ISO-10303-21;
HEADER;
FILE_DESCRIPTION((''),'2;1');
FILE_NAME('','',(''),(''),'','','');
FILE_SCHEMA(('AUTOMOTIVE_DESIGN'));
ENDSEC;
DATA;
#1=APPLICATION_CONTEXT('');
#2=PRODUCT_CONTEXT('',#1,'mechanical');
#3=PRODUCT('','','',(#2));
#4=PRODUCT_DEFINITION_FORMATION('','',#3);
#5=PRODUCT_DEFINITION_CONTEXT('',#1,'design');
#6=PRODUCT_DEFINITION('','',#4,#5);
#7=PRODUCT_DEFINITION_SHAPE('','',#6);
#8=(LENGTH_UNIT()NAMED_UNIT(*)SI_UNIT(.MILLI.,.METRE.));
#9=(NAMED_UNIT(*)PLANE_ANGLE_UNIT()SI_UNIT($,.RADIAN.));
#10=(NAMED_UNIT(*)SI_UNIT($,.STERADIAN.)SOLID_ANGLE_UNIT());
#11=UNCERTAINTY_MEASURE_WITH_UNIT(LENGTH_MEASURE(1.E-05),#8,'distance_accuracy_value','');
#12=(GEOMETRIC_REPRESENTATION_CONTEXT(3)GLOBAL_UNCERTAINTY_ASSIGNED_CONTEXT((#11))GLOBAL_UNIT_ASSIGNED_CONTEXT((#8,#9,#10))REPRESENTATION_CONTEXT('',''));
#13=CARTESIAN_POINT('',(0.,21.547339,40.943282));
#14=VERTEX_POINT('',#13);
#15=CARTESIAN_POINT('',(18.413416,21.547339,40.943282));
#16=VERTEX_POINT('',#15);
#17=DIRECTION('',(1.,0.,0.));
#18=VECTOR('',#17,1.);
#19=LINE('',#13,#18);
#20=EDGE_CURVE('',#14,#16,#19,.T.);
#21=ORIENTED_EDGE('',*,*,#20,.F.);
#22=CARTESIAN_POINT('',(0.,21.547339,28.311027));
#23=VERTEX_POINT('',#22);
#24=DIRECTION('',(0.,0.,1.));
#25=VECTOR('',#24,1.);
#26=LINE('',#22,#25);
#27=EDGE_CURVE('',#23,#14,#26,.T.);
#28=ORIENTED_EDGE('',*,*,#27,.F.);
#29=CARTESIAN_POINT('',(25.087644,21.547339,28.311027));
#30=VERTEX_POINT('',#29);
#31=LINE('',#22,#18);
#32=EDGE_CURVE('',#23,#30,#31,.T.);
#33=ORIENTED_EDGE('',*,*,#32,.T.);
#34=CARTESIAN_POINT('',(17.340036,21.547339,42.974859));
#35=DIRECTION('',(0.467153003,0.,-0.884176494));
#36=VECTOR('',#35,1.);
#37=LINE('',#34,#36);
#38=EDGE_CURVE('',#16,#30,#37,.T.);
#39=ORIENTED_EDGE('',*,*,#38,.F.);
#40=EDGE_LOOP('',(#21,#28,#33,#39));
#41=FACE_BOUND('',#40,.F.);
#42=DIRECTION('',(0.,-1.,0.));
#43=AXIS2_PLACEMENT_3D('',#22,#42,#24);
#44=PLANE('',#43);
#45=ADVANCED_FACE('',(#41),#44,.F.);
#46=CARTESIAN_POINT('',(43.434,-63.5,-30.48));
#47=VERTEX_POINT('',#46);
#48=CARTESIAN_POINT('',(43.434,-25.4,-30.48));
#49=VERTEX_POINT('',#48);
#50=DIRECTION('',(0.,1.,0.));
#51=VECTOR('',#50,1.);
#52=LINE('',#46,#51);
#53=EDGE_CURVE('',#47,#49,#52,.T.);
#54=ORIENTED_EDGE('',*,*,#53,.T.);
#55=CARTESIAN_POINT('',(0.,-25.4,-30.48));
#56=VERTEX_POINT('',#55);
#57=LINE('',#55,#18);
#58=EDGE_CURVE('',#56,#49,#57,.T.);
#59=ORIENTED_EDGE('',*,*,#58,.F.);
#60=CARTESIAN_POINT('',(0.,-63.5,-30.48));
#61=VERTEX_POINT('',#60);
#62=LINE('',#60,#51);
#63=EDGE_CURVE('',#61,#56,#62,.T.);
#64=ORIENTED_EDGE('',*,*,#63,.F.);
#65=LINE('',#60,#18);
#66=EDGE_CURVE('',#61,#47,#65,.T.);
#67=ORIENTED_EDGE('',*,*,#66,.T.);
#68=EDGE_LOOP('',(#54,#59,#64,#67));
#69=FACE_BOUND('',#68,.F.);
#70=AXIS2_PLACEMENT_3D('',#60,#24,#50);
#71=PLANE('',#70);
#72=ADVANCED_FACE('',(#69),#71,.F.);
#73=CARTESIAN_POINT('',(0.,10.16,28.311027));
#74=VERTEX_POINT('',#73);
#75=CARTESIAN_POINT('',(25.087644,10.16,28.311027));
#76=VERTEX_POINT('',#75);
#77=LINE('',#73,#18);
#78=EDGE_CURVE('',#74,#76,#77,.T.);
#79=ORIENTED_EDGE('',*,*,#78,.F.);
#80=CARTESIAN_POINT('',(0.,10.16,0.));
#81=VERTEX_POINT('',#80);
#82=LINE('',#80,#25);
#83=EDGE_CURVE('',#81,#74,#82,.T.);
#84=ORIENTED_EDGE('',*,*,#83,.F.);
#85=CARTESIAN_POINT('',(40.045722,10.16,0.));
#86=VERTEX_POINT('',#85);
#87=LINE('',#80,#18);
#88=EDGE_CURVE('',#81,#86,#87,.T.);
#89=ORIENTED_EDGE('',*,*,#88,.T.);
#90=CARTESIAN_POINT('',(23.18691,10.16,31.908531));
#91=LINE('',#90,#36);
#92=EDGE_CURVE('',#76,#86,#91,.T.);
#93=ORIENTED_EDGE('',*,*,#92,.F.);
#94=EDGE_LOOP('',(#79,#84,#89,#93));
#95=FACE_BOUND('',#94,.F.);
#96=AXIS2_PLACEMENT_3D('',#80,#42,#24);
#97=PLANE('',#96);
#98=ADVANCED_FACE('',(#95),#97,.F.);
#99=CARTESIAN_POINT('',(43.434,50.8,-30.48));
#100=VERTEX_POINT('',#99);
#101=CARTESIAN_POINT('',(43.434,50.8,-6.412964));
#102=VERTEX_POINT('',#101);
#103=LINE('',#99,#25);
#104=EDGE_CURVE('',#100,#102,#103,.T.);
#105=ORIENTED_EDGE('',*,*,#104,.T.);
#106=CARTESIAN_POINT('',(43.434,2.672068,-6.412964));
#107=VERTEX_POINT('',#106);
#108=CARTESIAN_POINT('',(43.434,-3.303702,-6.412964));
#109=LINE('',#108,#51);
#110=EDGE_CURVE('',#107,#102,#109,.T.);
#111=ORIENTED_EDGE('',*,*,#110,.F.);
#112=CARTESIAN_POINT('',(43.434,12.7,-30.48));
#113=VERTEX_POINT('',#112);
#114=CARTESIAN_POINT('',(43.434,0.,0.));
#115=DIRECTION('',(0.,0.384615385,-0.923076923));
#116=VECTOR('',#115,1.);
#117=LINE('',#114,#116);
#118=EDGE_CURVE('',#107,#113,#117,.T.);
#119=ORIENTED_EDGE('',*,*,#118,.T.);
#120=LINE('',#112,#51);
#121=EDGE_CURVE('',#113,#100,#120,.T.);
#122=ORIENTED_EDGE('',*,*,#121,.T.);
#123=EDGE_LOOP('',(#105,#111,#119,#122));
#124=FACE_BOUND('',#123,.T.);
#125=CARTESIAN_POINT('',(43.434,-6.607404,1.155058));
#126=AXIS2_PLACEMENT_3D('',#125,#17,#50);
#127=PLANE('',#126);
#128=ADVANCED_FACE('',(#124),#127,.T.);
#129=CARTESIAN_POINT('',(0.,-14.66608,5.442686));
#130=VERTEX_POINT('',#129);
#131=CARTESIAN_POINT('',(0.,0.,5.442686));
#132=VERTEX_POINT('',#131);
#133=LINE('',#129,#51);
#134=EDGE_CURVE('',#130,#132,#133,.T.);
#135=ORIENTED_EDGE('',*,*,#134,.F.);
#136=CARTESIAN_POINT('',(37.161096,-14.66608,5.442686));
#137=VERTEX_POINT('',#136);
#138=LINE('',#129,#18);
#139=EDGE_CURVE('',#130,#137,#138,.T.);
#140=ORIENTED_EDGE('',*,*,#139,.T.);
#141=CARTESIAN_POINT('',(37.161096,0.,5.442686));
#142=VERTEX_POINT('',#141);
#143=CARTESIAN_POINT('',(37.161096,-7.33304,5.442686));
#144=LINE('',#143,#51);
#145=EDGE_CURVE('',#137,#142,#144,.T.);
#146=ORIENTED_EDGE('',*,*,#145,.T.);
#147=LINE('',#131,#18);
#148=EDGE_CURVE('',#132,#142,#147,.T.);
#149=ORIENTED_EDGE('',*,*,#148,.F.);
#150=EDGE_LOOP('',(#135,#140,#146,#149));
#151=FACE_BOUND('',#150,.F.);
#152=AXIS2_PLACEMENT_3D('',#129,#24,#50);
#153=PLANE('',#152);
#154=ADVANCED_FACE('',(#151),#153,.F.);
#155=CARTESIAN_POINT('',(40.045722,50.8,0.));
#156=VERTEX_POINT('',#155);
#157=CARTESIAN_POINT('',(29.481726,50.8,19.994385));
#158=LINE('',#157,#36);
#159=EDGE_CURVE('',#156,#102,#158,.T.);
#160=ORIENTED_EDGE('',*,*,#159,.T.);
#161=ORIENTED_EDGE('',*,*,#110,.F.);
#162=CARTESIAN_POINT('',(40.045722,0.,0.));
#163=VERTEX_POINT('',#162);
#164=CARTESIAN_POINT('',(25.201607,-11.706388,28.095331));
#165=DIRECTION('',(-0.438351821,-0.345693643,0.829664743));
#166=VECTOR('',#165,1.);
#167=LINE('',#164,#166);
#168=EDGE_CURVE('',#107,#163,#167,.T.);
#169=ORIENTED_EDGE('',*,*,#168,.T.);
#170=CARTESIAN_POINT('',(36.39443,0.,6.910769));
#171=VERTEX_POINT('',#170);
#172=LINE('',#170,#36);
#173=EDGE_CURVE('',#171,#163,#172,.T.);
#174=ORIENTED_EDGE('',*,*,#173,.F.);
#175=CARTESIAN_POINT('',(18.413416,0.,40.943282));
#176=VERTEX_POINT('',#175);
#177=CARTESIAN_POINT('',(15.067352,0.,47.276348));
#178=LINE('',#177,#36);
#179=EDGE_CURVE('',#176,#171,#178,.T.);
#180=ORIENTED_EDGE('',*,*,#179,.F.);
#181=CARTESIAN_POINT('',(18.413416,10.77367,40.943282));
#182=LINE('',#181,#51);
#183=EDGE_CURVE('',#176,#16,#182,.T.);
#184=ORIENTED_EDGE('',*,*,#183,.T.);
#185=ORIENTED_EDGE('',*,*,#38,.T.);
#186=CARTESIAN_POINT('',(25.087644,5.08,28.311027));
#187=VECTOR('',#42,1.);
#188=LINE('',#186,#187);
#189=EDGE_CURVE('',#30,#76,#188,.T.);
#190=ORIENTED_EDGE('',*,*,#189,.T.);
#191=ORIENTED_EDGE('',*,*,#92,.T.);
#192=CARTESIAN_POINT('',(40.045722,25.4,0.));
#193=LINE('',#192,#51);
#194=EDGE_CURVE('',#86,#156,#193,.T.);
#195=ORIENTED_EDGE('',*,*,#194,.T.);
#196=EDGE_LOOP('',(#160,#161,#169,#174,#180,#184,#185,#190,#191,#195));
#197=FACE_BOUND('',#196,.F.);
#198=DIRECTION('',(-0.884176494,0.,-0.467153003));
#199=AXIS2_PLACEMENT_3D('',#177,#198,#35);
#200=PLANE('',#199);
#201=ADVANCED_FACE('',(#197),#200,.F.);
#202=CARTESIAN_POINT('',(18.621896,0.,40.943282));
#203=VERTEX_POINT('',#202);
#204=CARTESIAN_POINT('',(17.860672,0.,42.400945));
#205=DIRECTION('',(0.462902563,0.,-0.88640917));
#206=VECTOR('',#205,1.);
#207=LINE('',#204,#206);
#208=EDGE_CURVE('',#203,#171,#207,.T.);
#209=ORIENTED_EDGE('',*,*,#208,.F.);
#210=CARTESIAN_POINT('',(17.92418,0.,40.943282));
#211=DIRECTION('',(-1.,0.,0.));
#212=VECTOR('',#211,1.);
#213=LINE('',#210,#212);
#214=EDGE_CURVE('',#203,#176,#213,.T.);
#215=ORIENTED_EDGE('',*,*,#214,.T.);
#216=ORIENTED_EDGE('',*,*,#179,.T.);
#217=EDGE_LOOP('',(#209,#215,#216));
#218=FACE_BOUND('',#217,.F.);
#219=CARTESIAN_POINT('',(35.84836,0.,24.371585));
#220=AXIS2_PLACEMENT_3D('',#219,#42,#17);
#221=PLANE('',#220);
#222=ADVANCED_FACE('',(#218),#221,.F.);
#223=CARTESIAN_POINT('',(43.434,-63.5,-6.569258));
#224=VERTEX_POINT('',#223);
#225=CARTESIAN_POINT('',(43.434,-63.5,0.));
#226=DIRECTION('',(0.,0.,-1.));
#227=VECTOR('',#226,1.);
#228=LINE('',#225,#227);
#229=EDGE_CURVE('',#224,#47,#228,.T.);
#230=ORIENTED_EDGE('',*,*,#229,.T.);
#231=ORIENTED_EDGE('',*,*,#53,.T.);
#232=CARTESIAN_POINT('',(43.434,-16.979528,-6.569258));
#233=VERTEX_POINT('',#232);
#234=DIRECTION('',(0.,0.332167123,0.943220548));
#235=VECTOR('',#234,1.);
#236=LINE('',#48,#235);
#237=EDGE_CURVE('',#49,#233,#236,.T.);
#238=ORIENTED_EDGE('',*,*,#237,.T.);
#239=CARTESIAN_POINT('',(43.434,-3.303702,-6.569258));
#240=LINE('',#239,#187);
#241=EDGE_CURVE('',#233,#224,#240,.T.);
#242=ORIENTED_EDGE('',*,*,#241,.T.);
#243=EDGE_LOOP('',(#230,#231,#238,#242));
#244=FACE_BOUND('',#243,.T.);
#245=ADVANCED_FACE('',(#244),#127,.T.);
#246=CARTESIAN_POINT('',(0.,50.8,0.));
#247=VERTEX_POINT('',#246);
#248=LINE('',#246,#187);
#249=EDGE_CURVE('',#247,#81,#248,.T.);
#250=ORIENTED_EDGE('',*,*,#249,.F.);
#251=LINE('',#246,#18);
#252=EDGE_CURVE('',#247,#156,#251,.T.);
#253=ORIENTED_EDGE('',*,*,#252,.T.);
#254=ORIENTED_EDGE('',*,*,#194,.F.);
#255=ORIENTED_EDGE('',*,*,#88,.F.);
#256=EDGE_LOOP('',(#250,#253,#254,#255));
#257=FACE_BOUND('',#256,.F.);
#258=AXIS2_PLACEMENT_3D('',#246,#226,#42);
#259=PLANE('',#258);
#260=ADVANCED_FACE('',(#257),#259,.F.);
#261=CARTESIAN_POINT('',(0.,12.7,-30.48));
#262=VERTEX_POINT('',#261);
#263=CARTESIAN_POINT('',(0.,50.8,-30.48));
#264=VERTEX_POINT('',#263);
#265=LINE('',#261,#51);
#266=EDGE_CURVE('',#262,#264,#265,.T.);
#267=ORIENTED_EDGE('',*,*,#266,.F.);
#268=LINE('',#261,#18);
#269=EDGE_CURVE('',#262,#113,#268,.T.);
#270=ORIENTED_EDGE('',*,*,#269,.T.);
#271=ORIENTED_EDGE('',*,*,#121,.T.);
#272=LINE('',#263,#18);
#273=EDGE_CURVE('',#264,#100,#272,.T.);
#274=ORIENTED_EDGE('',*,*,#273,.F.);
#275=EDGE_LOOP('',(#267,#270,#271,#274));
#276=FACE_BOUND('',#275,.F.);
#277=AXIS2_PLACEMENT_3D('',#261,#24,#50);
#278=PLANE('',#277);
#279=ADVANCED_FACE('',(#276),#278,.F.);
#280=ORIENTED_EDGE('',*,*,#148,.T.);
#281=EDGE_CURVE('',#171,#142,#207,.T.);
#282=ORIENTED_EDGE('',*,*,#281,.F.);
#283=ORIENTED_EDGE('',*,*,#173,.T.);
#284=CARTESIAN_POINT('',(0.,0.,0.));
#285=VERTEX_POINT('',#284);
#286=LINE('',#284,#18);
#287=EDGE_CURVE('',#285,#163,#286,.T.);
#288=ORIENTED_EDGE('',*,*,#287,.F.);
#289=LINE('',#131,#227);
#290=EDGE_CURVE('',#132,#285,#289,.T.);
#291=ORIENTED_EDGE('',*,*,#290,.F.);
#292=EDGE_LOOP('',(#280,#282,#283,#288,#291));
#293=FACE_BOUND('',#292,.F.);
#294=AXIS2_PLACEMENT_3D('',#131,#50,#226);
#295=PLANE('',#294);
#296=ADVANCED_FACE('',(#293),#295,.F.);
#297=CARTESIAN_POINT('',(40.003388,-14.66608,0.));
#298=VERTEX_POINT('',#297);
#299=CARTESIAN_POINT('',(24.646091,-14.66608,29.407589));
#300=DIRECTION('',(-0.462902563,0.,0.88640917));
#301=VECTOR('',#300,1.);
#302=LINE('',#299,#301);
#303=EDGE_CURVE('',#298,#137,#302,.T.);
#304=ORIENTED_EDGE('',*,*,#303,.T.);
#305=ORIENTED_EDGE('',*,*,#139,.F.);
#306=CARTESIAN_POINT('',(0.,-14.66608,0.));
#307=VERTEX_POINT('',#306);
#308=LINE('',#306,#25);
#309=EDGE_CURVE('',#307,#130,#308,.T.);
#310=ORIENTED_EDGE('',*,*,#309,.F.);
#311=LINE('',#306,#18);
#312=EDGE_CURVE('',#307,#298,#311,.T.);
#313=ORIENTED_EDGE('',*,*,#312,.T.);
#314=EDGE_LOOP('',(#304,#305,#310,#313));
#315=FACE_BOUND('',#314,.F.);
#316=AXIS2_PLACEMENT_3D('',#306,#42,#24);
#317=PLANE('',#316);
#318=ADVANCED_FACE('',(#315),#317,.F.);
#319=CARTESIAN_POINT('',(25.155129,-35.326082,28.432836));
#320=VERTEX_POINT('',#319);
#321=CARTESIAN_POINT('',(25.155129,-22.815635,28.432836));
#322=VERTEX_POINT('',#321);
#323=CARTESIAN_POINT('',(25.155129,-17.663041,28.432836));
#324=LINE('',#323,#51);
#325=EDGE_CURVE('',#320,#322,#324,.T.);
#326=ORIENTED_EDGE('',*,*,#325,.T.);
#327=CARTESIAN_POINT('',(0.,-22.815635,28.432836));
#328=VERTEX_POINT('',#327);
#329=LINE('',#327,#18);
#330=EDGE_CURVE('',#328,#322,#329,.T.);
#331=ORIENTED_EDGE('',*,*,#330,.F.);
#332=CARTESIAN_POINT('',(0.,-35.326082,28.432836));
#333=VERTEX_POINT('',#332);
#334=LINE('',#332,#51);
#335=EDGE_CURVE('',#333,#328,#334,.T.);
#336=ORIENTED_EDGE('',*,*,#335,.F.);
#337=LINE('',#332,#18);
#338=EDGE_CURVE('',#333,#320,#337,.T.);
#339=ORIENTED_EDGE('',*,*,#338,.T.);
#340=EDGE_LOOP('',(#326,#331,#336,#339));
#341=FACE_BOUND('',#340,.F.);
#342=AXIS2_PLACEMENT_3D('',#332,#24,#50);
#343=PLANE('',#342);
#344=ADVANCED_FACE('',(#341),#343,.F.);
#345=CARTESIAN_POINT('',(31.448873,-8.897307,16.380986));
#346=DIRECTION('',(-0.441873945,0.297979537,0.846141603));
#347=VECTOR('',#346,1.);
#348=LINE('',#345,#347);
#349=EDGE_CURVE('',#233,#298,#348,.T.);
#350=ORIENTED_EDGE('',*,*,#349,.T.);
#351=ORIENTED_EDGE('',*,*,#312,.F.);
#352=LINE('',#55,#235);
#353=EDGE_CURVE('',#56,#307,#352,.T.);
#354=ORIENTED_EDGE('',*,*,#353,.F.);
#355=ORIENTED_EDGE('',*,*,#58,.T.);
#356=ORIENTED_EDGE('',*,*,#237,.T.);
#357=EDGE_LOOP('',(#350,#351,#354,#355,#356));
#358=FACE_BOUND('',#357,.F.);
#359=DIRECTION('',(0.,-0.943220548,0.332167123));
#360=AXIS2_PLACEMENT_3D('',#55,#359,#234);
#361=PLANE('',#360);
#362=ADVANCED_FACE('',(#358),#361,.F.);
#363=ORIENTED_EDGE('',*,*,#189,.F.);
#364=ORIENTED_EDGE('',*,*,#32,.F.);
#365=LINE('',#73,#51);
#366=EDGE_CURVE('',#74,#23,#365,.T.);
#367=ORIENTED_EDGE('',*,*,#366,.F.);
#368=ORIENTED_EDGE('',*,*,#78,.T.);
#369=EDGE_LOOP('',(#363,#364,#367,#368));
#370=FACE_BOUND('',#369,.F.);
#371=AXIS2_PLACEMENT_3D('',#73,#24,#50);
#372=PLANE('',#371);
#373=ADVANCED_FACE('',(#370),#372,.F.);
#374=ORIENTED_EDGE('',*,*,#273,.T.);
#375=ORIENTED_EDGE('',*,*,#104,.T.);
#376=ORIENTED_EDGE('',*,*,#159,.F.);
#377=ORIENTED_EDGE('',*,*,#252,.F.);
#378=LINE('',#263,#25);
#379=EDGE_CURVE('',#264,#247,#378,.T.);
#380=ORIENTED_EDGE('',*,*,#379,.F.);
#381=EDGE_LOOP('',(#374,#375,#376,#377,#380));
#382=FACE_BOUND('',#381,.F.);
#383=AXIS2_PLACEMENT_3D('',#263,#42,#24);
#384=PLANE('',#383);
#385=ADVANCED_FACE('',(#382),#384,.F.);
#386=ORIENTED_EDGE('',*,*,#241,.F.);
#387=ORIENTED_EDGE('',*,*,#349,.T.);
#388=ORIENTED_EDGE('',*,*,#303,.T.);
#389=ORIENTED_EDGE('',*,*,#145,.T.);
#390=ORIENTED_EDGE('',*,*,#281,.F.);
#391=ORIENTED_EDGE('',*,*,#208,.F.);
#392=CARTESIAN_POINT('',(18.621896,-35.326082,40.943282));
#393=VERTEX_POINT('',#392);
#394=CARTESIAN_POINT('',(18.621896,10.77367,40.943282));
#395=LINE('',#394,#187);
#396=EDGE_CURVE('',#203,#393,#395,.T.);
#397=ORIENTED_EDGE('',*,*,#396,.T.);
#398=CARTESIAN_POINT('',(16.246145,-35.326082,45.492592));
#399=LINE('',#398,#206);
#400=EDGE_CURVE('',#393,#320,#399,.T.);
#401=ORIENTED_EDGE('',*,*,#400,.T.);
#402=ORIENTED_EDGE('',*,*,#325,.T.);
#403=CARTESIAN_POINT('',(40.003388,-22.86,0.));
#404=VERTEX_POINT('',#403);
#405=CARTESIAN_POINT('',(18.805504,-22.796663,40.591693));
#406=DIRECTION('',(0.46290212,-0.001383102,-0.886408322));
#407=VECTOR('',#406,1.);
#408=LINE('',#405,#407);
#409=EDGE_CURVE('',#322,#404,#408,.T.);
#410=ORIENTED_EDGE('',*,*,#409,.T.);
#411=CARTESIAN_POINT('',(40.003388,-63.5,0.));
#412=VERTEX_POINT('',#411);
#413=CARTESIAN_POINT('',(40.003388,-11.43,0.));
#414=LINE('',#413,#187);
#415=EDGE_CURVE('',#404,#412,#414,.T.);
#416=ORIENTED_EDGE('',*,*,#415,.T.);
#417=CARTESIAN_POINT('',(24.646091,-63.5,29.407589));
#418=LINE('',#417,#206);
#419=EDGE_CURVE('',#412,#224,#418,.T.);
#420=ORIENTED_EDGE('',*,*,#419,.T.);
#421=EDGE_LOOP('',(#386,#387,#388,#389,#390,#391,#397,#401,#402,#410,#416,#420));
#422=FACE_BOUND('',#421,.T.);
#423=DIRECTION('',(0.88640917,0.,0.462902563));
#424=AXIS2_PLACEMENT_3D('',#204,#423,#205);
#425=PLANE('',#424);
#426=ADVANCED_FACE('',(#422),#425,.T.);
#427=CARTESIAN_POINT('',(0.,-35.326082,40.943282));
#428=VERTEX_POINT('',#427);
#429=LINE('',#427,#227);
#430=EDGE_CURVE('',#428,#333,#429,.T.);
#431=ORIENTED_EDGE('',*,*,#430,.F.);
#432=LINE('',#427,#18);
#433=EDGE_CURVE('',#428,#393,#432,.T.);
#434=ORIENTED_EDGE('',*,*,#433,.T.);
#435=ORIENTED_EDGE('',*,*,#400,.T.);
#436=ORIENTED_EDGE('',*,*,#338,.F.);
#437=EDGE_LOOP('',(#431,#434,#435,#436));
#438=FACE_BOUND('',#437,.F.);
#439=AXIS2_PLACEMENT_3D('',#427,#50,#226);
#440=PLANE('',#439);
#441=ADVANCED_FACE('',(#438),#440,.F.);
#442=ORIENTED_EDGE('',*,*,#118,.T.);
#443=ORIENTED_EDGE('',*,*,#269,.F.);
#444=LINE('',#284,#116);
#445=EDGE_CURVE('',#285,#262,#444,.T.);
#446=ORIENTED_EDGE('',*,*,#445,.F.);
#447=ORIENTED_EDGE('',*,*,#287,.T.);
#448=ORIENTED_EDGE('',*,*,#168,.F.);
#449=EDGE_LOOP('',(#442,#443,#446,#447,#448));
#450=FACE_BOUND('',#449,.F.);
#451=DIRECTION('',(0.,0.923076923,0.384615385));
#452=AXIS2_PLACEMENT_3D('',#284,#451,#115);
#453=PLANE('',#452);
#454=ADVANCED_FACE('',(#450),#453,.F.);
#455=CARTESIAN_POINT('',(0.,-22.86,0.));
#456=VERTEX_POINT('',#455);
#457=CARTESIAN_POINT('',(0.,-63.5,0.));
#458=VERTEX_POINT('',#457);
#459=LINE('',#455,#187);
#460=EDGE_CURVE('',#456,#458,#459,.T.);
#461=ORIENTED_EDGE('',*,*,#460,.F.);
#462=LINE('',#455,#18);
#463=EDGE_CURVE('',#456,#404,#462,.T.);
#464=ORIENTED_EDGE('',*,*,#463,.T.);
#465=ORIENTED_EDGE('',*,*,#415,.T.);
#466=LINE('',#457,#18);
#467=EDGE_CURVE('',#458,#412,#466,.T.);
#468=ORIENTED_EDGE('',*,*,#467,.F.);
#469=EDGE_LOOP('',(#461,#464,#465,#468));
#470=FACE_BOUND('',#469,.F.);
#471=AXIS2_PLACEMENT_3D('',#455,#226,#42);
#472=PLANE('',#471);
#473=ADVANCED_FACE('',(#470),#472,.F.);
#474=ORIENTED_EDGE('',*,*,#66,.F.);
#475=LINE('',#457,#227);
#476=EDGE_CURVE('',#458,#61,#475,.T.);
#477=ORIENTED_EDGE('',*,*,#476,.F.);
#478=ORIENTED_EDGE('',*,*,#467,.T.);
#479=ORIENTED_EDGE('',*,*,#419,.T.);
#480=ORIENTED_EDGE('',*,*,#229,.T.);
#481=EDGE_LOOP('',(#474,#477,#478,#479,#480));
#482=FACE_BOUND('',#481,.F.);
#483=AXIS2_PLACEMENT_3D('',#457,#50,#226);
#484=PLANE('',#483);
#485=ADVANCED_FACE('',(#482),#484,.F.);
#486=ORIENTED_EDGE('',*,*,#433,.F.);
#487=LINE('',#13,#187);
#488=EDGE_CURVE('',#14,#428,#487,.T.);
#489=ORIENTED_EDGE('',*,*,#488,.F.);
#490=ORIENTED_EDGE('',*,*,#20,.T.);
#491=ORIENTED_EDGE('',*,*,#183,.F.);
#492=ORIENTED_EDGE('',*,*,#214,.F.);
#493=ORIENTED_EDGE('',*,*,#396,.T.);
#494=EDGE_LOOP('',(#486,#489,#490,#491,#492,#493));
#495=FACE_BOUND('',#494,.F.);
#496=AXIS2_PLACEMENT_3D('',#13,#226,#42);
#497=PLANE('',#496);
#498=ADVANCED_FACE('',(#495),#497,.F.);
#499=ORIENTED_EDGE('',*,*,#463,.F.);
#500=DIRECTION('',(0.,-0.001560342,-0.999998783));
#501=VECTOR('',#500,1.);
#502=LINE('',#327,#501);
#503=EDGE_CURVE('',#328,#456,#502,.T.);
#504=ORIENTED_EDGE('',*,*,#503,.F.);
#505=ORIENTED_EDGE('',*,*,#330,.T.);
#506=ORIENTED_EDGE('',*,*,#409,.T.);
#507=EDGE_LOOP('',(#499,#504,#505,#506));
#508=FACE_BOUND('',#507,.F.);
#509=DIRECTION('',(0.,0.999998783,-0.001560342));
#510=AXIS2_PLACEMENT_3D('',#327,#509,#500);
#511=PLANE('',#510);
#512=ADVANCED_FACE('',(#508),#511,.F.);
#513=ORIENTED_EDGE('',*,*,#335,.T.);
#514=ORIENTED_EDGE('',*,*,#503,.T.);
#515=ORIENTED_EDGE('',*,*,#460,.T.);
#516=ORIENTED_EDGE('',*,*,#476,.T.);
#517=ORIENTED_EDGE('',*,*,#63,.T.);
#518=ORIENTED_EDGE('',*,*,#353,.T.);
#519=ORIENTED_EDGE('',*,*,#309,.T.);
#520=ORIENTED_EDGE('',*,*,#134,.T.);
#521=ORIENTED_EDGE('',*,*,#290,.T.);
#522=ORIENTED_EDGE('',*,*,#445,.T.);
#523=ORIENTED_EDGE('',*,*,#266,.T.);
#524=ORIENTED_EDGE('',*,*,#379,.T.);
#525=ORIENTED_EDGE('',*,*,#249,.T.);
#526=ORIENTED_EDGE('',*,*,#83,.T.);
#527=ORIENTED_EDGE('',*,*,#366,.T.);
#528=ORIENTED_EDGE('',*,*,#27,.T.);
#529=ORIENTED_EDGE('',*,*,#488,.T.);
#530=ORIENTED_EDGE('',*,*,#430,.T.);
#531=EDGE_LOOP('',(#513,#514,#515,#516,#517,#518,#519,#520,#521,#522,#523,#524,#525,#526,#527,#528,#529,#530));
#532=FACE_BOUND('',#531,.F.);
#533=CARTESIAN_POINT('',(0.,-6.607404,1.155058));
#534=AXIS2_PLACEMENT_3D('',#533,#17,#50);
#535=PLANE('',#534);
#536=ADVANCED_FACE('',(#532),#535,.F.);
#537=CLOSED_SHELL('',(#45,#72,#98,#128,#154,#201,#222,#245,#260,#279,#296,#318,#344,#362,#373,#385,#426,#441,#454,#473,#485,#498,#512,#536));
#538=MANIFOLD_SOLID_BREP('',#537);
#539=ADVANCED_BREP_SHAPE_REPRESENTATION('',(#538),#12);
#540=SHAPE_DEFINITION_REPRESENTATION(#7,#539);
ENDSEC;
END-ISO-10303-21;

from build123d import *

# Parameters (mm, degrees)
F1_DEPTH = 43.434
F3_DEPTH = 57.404
F5_DEPTH = 71.628


with BuildPart() as f1:
    # F0 (on Right) → F1 (new body)
    with BuildSketch(Plane.YZ):
        Polygon((21.547339, 40.943282), (-35.326082, 40.943282), (-35.326082, 28.432836), (-22.815635, 28.432836), (-22.86, 0), (-63.5, 0), (-63.5, -30.48), (-25.4, -30.48), (-14.66608, 0), (-14.66608, 5.442686), (0, 5.442686), (0, 0), (12.7, -30.48), (50.8, -30.48), (50.8, 0), (10.16, 0), (10.16, 28.311027), (21.547339, 28.311027), align=None)
    extrude(amount=F1_DEPTH)

    # F2 (on Front) → F3 (cut)
    with BuildSketch(Plane.XZ):
        Polygon((15.067352, 47.276348), (45.27159, -9.890955), (45.27159, 47.276348), align=None)
    extrude(amount=-F3_DEPTH, mode=Mode.SUBTRACT)

    # F4 (on Front) → F5 (cut)
    with BuildSketch(Plane.XZ):
        Polygon((17.860672, 42.400945), (45.15991, -9.874192), (45.15991, 42.400945), align=None)
    extrude(amount=F5_DEPTH, mode=Mode.SUBTRACT)


solid = f1.part
